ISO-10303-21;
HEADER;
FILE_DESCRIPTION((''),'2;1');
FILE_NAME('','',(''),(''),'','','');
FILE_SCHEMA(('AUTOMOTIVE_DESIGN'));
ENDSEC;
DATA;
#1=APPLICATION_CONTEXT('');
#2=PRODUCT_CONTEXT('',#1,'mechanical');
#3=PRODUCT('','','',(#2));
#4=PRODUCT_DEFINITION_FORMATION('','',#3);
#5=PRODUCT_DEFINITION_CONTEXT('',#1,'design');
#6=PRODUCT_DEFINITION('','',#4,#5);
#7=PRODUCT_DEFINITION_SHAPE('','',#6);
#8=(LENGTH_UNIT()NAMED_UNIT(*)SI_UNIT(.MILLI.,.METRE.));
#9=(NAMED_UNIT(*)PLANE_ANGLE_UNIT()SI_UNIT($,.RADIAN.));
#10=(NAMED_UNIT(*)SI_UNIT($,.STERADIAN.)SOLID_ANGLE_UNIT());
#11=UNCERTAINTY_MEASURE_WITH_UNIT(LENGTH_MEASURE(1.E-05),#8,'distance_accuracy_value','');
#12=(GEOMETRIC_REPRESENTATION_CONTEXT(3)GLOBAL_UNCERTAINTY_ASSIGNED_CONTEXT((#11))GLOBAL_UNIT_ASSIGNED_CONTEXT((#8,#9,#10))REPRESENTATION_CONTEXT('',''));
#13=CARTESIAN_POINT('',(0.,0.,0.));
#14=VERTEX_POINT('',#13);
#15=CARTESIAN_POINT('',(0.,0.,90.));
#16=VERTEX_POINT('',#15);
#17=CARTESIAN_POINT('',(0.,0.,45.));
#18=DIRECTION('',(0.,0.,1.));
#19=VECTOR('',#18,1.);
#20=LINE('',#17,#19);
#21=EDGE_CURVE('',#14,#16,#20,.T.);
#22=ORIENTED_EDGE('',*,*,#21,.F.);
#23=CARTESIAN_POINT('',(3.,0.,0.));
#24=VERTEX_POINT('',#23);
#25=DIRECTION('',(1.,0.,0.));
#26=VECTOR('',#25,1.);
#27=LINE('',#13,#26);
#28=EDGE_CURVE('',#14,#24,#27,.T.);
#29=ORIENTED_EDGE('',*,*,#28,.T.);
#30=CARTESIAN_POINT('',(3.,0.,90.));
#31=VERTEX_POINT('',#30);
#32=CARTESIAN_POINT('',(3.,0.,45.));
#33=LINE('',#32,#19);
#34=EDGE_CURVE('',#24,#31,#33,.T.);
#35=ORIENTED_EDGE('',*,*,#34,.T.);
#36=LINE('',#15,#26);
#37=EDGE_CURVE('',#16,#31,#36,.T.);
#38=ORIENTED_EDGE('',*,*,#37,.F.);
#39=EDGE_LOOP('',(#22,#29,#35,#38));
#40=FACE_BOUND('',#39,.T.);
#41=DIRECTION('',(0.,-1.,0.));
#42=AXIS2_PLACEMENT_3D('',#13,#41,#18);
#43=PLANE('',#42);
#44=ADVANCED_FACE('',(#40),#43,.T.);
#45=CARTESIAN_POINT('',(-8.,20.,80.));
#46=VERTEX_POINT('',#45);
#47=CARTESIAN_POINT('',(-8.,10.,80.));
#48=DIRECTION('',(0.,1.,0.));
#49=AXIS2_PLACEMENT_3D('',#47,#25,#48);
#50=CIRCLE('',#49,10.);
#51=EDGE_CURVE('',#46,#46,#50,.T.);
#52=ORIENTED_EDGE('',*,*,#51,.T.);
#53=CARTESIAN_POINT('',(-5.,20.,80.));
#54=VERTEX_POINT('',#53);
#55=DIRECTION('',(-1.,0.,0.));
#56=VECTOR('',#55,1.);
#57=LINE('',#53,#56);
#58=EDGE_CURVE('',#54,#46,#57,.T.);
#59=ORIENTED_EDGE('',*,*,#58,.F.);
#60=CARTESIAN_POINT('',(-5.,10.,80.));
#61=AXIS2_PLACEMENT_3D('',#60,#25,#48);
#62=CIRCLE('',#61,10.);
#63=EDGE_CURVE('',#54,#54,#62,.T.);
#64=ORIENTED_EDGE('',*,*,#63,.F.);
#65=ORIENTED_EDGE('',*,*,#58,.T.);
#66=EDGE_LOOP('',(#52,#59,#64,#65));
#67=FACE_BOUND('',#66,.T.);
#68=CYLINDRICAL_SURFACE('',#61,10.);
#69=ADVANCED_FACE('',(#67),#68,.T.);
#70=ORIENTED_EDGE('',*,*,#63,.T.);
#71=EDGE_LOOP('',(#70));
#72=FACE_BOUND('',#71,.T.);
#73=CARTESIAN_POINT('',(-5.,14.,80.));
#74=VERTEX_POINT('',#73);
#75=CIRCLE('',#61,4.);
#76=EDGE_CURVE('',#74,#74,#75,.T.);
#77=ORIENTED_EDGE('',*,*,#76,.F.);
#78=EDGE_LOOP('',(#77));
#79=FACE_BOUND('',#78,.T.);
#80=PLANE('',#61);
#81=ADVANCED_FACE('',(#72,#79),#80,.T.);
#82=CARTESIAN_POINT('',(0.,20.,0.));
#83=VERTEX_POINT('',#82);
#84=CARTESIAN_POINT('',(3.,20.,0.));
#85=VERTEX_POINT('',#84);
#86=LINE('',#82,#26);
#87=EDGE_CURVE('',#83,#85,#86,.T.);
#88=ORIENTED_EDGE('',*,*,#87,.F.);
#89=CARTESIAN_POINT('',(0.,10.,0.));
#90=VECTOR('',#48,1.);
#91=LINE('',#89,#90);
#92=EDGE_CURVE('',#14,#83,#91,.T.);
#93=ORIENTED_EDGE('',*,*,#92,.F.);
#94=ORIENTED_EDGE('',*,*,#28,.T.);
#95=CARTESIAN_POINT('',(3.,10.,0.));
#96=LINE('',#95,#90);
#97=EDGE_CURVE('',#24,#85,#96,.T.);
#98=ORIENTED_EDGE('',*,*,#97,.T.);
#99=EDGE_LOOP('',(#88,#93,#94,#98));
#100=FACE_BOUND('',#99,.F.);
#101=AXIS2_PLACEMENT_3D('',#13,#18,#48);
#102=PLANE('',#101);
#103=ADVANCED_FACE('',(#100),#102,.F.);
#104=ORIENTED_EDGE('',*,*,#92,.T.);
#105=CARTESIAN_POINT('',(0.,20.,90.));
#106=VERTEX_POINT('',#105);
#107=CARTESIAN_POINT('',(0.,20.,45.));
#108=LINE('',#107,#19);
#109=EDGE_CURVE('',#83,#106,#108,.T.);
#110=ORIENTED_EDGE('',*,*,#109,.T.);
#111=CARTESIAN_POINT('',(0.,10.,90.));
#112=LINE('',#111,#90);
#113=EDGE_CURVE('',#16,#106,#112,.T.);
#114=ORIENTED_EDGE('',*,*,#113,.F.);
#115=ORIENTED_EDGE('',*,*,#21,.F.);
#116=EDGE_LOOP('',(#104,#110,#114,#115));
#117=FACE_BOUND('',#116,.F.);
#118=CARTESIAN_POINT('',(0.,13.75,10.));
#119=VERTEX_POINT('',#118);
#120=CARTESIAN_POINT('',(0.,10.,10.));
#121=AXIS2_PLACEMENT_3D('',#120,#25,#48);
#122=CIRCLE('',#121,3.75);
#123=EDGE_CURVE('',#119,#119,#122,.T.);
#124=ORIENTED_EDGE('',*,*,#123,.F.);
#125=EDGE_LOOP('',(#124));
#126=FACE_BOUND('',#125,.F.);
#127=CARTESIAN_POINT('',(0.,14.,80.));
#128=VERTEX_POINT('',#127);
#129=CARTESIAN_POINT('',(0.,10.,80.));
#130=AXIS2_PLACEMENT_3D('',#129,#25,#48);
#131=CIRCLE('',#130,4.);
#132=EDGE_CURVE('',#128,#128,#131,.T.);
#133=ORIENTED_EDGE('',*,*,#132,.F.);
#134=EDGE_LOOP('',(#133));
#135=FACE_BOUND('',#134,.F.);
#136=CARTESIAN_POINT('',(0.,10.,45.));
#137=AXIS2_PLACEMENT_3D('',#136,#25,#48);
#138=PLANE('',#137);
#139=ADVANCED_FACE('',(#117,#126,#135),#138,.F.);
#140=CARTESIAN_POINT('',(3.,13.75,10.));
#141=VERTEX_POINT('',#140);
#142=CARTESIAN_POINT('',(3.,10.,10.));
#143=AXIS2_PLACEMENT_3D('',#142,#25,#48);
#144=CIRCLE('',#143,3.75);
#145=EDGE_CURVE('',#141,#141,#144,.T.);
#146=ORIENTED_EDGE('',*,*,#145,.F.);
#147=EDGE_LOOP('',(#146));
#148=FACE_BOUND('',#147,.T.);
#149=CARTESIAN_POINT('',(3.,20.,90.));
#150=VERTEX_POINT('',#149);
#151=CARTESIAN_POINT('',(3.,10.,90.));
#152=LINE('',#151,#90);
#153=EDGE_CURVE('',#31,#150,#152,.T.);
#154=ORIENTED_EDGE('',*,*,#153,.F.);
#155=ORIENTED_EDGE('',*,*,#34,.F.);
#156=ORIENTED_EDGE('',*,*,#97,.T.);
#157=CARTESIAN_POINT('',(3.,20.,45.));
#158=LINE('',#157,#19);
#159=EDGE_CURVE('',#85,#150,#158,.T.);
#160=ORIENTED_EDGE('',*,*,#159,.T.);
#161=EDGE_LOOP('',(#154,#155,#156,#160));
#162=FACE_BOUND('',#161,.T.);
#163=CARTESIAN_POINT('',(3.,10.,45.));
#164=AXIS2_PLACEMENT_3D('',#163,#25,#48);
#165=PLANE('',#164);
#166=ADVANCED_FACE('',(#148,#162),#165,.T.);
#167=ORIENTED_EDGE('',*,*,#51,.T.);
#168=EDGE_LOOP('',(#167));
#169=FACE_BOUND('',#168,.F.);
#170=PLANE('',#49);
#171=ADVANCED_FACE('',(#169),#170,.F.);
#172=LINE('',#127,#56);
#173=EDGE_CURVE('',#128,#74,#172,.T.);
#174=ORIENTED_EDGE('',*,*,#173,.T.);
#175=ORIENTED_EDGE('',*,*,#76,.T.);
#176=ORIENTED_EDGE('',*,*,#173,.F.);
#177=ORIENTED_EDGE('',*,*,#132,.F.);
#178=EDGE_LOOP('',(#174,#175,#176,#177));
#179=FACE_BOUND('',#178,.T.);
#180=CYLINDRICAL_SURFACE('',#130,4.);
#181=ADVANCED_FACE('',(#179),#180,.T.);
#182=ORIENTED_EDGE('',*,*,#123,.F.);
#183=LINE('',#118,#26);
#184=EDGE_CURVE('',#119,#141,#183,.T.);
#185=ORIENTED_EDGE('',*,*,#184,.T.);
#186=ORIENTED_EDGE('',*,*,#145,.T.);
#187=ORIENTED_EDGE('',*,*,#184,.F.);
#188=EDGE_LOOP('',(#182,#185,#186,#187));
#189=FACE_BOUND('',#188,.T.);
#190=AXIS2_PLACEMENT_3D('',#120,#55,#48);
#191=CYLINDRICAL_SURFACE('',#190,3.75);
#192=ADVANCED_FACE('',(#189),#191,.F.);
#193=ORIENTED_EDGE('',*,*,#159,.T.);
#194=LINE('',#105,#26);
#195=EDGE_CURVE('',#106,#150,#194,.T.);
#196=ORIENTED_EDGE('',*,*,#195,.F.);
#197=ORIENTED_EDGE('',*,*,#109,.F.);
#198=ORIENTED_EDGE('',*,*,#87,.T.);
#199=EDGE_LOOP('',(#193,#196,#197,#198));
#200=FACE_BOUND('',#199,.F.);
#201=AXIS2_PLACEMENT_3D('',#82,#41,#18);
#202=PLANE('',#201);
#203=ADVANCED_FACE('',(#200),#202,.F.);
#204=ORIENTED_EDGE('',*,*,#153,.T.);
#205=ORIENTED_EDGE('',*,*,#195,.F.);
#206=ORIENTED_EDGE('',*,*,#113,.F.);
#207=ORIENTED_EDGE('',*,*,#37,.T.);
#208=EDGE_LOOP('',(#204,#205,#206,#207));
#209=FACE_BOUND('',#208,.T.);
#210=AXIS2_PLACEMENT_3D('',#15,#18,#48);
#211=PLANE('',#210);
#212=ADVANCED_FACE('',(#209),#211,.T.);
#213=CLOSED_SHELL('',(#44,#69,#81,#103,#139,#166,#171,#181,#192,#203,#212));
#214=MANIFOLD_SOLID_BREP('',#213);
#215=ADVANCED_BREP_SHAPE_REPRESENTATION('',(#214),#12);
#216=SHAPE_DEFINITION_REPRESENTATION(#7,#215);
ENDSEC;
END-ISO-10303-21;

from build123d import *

# Parameters (mm, degrees)
F0_W     = 20
F0_H     = 90
F0_R     = 3.75
F0_R_2   = 4
F1_DEPTH = 3
F2_DEPTH = 5
F4_R     = 10
F5_DEPTH = 3


with BuildPart() as f1:
    # F0 (on Right) → F1 (new body)
    with BuildSketch(Plane.YZ):
        with Locations((10, 45)):
            Rectangle(F0_W, F0_H)
        with Locations((10, 10)):
            Circle(F0_R, mode=Mode.SUBTRACT)
        with Locations((10, 80)):
            Circle(F0_R_2, mode=Mode.SUBTRACT)
        with Locations((10, 80)):
            Circle(F0_R_2)
    extrude(amount=F1_DEPTH)

    # F0 (on Right) → F2 (join)
    with BuildSketch(Plane.YZ):
        with Locations((10, 80)):
            Circle(F0_R_2)
    extrude(amount=-F2_DEPTH)

    # F4 (on offset) → F5 (join)
    with BuildSketch(Plane.YZ.offset(-5)):
        with Locations((10, 80)):
            Circle(F4_R)
    extrude(amount=-F5_DEPTH)


solid = f1.part
